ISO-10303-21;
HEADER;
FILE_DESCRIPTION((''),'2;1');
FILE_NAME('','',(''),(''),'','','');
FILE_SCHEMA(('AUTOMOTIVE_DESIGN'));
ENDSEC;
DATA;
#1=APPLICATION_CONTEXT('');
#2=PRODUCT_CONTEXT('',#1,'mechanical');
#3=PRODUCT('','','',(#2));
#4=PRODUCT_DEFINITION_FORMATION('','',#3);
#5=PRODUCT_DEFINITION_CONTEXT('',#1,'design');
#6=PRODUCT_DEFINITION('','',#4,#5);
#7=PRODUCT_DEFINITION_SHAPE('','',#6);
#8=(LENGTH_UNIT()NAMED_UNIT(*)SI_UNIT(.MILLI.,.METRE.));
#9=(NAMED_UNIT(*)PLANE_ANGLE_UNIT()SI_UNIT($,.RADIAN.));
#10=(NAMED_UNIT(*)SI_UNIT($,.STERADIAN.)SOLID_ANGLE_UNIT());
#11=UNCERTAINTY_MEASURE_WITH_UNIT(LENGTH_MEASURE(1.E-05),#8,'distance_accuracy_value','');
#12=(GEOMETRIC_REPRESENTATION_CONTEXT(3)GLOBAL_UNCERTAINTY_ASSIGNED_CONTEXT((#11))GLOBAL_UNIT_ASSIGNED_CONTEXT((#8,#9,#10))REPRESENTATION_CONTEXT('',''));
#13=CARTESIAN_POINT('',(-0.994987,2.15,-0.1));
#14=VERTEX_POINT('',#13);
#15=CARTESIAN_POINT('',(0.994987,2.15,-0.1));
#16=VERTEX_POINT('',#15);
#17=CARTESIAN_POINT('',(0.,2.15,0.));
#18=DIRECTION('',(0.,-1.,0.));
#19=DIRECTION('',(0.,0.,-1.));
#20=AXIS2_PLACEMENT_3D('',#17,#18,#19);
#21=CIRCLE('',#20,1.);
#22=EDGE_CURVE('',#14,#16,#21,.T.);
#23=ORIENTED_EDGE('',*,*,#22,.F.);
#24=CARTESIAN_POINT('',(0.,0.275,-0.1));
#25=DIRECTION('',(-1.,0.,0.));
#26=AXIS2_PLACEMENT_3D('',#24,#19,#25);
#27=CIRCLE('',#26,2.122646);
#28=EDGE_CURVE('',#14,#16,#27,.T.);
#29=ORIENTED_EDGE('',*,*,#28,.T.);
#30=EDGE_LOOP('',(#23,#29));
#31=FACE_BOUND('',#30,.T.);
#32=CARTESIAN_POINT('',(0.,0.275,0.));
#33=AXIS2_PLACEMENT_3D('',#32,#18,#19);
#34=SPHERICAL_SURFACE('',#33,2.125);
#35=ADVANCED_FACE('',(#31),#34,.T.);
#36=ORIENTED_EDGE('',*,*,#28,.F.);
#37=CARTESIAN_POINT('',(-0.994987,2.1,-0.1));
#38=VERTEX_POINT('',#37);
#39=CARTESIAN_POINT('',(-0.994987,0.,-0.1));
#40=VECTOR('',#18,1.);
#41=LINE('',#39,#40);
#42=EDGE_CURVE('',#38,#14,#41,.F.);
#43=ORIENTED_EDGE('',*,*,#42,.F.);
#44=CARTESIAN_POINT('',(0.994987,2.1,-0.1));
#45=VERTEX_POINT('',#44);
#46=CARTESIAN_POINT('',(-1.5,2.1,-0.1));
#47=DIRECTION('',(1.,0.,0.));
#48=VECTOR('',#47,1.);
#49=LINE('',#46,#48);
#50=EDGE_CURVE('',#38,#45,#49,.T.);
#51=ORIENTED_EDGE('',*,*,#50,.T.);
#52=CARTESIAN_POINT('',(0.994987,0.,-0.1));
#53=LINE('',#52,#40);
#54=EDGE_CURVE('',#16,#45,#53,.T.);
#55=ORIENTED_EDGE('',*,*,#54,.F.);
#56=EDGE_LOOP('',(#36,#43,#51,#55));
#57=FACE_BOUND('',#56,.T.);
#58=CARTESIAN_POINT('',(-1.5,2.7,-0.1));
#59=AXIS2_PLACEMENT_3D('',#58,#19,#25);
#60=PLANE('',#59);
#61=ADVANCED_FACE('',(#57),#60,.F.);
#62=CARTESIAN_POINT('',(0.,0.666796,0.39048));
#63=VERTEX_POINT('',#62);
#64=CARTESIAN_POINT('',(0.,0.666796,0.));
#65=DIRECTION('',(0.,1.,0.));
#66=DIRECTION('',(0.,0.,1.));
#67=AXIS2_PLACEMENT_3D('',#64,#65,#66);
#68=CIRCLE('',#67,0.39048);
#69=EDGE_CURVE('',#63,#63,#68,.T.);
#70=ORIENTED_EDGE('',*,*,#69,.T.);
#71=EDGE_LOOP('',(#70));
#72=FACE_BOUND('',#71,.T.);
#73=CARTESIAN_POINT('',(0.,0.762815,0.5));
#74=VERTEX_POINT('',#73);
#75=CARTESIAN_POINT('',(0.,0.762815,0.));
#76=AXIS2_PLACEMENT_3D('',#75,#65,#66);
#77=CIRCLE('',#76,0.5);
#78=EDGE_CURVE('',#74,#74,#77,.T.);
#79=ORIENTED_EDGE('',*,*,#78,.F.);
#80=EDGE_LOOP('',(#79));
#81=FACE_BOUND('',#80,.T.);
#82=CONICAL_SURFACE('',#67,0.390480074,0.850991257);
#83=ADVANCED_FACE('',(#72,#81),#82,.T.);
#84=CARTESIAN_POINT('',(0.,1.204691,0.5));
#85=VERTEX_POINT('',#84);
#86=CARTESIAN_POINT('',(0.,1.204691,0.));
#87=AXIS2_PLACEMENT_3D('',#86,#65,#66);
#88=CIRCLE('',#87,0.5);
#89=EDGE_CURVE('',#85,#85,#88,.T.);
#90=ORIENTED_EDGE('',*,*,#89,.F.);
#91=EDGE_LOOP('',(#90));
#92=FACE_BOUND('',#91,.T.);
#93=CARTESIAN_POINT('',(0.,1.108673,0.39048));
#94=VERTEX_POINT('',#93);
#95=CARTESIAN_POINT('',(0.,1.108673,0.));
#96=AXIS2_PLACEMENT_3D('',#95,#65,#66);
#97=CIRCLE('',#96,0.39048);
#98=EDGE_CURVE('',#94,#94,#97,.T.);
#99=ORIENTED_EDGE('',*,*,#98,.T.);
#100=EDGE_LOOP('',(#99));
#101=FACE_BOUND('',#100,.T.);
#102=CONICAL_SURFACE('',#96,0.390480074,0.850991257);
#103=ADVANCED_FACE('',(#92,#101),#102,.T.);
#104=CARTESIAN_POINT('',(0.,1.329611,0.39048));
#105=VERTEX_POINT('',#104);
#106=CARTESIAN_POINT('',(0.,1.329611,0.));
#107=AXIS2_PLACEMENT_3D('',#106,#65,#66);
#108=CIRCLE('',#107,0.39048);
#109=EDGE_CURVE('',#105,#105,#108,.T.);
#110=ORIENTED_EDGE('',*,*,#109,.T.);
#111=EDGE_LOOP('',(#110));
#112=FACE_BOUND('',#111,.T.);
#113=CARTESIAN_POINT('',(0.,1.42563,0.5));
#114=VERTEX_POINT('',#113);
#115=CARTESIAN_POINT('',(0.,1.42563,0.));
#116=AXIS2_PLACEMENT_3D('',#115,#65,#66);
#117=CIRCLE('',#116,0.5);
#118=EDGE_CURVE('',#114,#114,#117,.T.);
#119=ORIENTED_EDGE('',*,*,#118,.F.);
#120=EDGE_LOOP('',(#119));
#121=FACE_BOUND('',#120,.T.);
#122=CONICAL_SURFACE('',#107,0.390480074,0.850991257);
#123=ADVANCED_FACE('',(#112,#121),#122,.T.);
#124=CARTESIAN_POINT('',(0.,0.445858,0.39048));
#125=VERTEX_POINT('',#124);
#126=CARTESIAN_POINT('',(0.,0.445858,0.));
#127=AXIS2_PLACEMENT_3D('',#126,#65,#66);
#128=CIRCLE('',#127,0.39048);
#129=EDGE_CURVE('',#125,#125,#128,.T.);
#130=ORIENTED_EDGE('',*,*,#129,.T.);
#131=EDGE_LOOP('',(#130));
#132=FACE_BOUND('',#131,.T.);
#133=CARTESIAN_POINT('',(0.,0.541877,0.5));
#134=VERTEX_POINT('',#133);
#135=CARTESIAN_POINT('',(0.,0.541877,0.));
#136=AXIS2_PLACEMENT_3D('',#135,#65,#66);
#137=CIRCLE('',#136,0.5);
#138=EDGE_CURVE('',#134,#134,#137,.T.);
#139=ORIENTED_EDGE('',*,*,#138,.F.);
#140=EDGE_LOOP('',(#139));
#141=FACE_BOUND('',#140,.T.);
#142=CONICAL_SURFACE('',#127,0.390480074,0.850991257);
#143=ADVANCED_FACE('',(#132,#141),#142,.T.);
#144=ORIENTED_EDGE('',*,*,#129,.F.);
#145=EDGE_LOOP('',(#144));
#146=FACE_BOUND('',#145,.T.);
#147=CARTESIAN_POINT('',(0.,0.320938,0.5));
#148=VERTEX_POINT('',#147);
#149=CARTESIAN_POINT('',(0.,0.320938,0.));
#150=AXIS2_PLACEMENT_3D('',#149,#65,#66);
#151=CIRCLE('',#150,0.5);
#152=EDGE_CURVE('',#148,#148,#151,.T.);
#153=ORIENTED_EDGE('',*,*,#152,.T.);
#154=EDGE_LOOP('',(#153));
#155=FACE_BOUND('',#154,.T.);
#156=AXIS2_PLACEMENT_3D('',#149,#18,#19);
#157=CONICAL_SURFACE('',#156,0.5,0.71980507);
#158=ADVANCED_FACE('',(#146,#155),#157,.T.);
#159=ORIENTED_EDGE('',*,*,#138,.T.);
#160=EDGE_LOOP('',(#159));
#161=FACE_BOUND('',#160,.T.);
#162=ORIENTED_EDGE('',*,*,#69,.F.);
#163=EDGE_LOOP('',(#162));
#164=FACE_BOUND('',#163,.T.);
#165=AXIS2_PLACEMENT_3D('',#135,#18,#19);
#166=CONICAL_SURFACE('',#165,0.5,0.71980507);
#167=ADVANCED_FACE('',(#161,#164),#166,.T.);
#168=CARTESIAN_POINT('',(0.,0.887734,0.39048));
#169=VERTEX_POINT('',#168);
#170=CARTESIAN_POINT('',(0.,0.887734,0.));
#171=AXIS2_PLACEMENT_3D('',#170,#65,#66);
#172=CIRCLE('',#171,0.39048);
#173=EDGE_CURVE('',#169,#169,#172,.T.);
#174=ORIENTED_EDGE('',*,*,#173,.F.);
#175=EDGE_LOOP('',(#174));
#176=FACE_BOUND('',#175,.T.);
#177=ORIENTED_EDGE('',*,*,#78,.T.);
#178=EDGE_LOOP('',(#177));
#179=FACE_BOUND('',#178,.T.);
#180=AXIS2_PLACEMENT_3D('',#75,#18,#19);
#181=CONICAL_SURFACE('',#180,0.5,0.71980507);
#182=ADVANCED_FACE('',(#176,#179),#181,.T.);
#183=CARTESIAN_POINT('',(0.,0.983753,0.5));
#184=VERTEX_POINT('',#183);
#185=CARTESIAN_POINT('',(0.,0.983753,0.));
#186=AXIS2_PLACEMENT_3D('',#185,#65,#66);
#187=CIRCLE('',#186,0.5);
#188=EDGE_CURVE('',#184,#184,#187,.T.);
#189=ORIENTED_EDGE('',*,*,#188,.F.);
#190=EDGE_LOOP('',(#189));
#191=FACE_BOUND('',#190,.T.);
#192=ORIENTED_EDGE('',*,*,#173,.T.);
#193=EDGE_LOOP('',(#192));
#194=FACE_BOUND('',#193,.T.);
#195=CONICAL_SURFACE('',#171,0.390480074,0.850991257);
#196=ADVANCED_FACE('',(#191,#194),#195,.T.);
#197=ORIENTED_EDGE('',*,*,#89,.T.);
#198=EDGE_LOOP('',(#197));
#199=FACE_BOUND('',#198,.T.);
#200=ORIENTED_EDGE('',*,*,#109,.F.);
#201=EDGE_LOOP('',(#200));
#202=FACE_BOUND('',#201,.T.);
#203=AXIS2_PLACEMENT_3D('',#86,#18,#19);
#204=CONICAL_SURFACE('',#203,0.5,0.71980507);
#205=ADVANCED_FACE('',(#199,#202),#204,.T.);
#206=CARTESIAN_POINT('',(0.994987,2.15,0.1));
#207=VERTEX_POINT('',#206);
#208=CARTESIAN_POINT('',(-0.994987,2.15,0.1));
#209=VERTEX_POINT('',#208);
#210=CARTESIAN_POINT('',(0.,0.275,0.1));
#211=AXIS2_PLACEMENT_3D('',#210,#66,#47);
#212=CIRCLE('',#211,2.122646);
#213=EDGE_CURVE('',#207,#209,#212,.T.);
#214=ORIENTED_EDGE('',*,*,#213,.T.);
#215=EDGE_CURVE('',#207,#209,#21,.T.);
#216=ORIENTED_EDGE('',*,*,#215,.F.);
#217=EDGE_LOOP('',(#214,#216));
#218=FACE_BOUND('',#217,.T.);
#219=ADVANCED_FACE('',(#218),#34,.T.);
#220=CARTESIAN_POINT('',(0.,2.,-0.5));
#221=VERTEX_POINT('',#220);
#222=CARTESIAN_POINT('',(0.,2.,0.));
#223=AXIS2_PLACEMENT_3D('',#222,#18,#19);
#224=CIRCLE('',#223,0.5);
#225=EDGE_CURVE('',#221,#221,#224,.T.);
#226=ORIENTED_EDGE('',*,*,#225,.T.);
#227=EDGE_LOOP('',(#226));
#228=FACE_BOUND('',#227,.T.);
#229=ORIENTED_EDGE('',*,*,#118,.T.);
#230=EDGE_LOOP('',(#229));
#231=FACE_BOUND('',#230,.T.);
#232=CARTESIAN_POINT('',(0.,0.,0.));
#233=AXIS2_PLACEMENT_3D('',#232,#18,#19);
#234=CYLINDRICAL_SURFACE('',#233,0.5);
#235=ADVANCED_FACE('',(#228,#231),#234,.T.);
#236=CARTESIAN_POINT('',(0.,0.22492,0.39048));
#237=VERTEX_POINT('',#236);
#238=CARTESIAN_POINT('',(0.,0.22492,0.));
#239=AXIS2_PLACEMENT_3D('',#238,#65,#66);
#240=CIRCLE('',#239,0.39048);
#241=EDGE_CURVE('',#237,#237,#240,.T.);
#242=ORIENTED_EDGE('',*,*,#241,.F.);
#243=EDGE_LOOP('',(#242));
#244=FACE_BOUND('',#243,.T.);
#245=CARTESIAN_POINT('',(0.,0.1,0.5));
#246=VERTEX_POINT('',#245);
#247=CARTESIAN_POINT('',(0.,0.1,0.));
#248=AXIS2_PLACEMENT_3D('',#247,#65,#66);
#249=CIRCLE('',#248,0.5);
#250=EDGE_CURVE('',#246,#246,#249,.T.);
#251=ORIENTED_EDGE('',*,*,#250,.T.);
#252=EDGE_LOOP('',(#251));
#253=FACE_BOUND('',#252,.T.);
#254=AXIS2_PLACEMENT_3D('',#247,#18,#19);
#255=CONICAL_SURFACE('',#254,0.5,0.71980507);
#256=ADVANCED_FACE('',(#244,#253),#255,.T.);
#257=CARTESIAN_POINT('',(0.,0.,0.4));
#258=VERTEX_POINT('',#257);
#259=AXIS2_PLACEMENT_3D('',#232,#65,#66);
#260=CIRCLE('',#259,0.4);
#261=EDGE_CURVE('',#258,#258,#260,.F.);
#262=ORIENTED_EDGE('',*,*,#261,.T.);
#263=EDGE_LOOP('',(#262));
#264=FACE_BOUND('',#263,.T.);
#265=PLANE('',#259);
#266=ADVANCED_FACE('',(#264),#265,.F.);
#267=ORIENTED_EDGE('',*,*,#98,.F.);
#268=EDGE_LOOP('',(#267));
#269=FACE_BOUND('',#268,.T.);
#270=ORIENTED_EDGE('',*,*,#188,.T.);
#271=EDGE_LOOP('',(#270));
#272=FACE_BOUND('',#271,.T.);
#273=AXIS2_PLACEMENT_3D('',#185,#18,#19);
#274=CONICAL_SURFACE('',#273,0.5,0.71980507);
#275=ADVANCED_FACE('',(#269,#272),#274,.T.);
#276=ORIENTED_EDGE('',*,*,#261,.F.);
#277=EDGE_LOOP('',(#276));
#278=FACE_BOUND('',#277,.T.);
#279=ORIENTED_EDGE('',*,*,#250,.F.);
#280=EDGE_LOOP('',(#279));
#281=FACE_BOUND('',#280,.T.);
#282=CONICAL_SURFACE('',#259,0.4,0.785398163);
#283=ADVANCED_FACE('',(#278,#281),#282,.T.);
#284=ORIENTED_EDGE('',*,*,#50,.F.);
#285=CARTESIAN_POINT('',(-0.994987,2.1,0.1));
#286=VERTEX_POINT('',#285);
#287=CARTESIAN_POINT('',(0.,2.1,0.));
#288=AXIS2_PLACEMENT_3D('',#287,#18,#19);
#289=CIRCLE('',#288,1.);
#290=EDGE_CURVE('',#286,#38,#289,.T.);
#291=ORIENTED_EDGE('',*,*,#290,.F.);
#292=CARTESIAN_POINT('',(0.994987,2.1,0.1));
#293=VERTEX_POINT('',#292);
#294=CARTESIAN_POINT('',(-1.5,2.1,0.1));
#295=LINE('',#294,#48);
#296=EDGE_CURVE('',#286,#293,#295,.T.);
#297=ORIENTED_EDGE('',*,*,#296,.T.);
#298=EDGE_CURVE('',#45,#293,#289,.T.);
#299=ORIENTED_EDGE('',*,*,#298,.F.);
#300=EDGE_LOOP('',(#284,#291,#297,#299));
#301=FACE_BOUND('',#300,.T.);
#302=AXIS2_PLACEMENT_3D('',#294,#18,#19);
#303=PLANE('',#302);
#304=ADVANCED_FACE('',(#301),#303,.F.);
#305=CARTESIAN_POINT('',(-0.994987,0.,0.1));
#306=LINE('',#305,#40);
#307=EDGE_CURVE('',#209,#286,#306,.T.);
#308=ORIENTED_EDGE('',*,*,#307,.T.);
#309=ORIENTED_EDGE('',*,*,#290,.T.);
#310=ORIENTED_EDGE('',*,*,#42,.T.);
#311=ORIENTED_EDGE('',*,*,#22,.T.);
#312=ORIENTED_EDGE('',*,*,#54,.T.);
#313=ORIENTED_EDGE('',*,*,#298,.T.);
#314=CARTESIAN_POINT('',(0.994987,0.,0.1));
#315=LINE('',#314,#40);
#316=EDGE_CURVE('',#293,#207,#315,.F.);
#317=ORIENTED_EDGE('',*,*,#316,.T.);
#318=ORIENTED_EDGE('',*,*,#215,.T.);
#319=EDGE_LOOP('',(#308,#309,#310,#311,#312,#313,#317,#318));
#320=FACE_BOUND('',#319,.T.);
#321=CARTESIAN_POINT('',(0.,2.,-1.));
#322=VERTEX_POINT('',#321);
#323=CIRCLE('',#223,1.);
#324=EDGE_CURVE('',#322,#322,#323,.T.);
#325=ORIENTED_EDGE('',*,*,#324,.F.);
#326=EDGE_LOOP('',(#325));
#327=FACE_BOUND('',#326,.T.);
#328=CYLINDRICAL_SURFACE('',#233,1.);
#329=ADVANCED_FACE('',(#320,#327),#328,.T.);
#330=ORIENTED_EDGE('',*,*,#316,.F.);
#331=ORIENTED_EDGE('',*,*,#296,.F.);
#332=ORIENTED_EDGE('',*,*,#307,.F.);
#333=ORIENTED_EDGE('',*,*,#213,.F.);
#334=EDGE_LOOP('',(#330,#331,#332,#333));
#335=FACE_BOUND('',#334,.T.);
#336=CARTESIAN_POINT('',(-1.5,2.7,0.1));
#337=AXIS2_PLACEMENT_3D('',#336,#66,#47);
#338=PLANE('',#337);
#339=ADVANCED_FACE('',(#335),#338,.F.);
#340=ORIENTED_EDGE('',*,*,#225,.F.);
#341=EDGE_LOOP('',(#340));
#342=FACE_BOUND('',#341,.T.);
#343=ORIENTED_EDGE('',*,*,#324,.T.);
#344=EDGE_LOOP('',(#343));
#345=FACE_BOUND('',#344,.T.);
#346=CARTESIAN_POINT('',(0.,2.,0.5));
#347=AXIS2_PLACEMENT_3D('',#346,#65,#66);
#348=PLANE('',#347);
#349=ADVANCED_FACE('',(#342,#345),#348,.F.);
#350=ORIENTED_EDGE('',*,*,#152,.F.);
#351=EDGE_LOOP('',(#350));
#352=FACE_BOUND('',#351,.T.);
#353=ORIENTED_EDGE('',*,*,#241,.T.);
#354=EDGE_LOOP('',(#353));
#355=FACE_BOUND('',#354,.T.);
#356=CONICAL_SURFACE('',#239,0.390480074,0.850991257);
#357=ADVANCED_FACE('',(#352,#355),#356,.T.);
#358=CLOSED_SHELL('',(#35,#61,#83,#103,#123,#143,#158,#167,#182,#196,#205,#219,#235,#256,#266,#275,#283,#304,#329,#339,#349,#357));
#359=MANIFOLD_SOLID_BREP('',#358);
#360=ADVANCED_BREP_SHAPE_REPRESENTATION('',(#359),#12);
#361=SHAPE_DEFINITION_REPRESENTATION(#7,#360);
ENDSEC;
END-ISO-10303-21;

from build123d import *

# Parameters (mm, degrees)
ESQUISSE2_W             = 0.2
ESQUISSE2_H             = 0.6
ENL_V_MAT_EXTRU_1_DEPTH = 1.5
CHANFREIN1_SIZE         = 0.1


with BuildPart() as part:
    # Esquisse1 → Révolution1 (revolve)
    with BuildSketch(Plane(origin=(0, 0, 0), x_dir=(0, 0, -1), z_dir=(1, 0, 0))):
        with BuildLine():
            Line((0, 0), (-0.5, 0))
            Line((-0.5, 0), (-0.5, 2))
            Line((-0.5, 2), (-1, 2))
            Line((-1, 2), (-1, 2.15))
            ThreePointArc((-1, 2.15), (-0.515388203, 2.336552813), (0, 2.4))
            Line((0, 2.4), (0, 0))
        make_face()
    revolve(axis=Axis((0, 0, 0), (0, 1, 0)))

    # Esquisse2 → Enlèv. mat.-Extru.1 (cut, symmetric)
    with BuildSketch(Plane(origin=(0, 0, 0), x_dir=(0, 0, -1), z_dir=(1, 0, 0))):
        with Locations((0, 2.4)):
            Rectangle(ESQUISSE2_W, ESQUISSE2_H)
    extrude(amount=ENL_V_MAT_EXTRU_1_DEPTH, both=True, mode=Mode.SUBTRACT)

    # Chanfrein1
    chanfrein1_edges = [part.edges().sort_by_distance(p)[0] for p in [
        (0, 0, -0.5),
    ]]
    chamfer(chanfrein1_edges, length=CHANFREIN1_SIZE)

    # Esquisse3 → Enlèvement de matière-Révolution1 (revolve, cut)
    with BuildSketch(Plane.XY):
        Polygon((-0.5, 0.1), (-0.390480074, 0.224919634), (-0.5, 0.32093828), (-0.390480074, 0.445857914), (-0.5, 0.541876561), (-0.390480074, 0.666796195), (-0.5, 0.762814841), (-0.390480074, 0.887734475), (-0.5, 0.983753122), (-0.390480074, 1.108672755), (-0.5, 1.204691402), (-0.390480074, 1.329611036), (-0.5, 1.425629682), (-0.822305097, 1.425629682), (-0.822305097, 0.1), align=None)
    revolve(axis=Axis((0, 0, 0), (0, -1, 0)), mode=Mode.SUBTRACT)


solid = part.part
